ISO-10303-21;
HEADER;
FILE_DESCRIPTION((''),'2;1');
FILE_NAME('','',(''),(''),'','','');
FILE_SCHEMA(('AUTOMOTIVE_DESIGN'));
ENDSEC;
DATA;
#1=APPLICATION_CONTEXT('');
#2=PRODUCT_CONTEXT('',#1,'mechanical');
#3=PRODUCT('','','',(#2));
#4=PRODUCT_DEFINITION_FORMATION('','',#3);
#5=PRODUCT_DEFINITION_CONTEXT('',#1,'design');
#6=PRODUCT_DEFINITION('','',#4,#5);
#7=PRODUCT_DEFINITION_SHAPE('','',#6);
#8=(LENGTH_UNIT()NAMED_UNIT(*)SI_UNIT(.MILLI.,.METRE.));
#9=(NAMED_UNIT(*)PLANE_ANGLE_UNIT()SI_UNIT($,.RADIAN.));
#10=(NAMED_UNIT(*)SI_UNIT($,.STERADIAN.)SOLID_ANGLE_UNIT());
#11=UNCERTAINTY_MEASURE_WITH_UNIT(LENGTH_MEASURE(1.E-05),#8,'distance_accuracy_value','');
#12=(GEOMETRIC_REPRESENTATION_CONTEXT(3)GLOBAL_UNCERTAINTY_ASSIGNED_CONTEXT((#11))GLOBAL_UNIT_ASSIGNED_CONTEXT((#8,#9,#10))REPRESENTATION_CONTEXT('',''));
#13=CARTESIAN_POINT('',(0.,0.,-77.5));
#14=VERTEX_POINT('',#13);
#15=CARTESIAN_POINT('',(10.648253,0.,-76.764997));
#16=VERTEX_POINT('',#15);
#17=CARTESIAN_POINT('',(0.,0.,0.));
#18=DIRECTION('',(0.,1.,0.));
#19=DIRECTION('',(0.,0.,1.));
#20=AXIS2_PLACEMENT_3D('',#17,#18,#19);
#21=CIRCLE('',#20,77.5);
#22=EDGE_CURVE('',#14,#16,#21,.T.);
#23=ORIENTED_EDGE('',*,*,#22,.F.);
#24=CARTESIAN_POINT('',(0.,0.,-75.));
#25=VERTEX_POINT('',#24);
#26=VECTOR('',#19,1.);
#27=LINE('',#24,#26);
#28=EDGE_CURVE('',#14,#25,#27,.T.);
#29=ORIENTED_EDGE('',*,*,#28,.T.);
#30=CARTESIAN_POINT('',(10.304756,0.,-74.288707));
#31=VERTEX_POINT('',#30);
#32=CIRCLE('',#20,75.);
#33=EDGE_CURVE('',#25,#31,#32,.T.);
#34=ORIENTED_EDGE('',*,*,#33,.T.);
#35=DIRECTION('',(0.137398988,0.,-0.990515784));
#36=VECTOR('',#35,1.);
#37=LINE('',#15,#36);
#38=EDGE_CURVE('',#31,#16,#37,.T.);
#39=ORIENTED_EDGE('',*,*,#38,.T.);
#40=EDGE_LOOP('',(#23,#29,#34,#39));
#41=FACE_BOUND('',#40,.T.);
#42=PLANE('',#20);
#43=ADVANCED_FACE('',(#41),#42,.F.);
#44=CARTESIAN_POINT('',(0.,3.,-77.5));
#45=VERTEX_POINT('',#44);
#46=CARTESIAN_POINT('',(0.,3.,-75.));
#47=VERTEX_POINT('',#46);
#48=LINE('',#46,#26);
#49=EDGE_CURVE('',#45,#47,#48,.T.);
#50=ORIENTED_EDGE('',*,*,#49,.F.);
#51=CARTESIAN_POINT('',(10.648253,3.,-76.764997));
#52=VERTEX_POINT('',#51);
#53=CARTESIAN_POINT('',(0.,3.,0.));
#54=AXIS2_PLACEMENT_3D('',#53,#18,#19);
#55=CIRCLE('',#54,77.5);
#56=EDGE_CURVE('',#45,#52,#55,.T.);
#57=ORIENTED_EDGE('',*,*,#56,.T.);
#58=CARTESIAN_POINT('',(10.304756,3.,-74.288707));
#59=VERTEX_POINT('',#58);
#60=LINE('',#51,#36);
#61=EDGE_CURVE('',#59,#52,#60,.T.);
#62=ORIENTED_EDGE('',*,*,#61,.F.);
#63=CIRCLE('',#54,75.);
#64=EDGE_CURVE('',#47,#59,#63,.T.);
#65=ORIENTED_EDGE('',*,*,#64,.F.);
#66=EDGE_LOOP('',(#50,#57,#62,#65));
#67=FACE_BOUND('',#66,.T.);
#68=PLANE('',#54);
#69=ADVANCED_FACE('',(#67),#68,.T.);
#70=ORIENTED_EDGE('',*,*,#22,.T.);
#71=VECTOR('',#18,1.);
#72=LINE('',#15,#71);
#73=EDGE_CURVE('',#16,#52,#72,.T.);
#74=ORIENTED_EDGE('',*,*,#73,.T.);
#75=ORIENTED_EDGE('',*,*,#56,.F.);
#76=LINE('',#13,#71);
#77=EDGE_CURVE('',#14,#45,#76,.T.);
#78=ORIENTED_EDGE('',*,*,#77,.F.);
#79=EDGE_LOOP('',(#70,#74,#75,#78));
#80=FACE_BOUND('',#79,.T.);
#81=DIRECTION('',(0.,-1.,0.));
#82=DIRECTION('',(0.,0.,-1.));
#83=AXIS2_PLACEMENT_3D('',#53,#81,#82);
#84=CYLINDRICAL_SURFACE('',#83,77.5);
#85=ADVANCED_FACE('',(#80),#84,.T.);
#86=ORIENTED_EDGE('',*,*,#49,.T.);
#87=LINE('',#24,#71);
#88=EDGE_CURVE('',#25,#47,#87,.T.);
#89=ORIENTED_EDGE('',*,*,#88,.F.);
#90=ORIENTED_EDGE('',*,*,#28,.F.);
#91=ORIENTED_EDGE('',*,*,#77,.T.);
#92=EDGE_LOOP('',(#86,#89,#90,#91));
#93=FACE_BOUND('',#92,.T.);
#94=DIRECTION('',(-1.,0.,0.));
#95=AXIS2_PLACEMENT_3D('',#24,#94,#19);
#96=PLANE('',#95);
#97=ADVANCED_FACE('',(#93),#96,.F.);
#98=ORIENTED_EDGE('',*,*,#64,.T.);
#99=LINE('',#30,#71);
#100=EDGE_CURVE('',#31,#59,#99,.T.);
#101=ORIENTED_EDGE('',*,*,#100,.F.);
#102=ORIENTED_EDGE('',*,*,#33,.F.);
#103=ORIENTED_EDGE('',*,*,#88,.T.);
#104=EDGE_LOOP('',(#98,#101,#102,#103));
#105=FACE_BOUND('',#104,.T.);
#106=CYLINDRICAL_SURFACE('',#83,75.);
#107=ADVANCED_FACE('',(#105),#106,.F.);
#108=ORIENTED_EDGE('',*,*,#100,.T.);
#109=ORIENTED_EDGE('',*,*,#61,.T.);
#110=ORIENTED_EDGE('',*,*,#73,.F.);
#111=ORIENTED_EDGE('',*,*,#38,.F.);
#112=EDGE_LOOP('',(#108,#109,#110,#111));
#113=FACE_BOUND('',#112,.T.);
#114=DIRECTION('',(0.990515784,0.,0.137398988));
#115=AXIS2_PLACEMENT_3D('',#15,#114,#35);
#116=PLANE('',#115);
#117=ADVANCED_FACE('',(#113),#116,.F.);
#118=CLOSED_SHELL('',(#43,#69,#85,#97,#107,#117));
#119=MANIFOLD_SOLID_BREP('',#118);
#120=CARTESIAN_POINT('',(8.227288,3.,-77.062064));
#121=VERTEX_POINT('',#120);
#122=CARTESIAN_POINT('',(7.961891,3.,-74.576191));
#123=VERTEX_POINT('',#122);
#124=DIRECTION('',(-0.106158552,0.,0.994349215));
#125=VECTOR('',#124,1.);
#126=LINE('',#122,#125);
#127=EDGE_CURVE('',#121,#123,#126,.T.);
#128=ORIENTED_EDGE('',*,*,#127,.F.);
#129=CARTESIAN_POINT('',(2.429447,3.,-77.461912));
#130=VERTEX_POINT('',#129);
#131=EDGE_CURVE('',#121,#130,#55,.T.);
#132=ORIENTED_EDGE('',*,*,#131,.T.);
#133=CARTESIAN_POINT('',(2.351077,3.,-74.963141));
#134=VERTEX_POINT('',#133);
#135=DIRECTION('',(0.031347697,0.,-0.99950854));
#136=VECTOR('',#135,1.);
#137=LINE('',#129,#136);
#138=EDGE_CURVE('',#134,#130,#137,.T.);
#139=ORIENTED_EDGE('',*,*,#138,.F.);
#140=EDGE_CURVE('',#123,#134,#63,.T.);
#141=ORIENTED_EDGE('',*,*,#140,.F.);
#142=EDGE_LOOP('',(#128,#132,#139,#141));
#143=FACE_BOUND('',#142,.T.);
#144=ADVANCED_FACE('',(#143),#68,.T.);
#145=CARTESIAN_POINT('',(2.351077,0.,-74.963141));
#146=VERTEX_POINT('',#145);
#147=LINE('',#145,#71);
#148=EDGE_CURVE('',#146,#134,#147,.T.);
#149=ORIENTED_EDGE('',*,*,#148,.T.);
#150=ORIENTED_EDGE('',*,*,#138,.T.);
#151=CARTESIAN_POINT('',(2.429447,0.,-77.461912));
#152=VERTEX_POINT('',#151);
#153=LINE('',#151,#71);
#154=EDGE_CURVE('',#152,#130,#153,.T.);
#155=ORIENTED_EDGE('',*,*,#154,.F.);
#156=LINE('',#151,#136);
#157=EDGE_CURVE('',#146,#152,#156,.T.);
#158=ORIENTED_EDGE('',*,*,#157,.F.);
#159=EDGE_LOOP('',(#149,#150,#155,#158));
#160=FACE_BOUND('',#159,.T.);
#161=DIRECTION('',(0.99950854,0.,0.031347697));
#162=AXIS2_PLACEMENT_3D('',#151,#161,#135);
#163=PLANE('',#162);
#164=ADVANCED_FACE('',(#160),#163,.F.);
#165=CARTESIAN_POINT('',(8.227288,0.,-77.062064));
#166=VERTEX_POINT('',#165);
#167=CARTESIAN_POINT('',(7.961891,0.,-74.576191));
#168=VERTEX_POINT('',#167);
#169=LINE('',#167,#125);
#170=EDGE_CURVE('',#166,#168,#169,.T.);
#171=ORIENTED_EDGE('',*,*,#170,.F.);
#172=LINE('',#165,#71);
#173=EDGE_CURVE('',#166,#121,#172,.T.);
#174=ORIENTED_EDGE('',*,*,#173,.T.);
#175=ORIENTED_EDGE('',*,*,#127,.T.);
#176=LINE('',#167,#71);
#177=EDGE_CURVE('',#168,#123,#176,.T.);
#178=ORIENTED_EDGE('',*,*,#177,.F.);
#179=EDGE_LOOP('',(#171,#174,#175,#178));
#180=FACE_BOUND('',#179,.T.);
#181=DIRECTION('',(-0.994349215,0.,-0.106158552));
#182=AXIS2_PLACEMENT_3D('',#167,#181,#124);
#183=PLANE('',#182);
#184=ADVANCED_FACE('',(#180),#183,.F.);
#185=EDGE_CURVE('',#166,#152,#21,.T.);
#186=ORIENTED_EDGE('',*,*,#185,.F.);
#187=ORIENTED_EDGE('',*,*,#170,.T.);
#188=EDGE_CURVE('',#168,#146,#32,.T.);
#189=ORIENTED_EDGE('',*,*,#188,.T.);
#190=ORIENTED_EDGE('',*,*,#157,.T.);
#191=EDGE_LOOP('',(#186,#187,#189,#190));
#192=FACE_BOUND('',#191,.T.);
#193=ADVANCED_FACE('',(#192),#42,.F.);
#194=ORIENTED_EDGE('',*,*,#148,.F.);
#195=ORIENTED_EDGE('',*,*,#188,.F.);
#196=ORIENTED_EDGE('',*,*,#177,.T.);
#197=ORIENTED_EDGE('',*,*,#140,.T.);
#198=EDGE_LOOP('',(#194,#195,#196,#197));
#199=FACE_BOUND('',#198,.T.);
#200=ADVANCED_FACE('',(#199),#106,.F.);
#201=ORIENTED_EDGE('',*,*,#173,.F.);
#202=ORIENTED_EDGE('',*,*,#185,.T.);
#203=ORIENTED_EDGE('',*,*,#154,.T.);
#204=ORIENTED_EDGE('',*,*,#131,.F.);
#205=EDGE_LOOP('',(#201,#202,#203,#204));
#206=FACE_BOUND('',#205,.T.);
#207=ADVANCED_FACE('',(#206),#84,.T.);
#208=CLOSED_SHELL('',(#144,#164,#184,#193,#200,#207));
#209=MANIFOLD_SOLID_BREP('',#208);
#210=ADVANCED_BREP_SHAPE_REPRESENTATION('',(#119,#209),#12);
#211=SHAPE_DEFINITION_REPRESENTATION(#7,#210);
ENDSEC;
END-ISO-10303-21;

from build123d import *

# Parameters (mm, degrees)
SKETCH1_R               = 77.5
SKETCH1_R_2             = 75
BOSS_EXTRUDE1_DEPTH     = 3
CUT_EXTRUDE1_DEPTH      = 1
CUT_EXTRUDE1_DEPTH_BACK = 4


with BuildPart() as part:
    # Sketch1 → Boss-Extrude1 (new body)
    with BuildSketch(Plane(origin=(0, 0, 0), x_dir=(1, 0, 0), z_dir=(0, 1, 0))):
        Circle(SKETCH1_R)
        Circle(SKETCH1_R_2, mode=Mode.SUBTRACT)
    extrude(amount=BOSS_EXTRUDE1_DEPTH)

    # Sketch2 → Cut-Extrude1 (cut, two sides)
    with BuildSketch(Plane(origin=(0, 3, 0), x_dir=(1, 0, 0), z_dir=(0, 1, 0))) as cut_extrude1_sk:
        with BuildLine():
            Line((0, 75), (0, 77.5))
            ThreePointArc((0, 77.5), (1.214872553, 77.490477381), (2.429446556, 77.461911863))
            Line((2.429446556, 77.461911863), (2.351077312, 74.963140512))
            ThreePointArc((2.351077312, 74.963140512), (1.175683115, 74.990784562), (0, 75))
        make_face()
        with BuildLine():
            Line((7.961891365, 74.576191146), (8.227287744, 77.062064185))
            ThreePointArc((8.227287744, 77.062064185), (9.438939304, 76.923056572), (10.648253025, 76.764996629))
            Line((10.648253025, 76.764996629), (10.304755556, 74.28870717))
            ThreePointArc((10.304755556, 74.28870717), (9.134454673, 74.441668027), (7.961891365, 74.576191146))
        make_face()
    extrude(amount=CUT_EXTRUDE1_DEPTH, mode=Mode.SUBTRACT)
    extrude(cut_extrude1_sk.sketch, amount=-CUT_EXTRUDE1_DEPTH_BACK, mode=Mode.SUBTRACT)


solid = part.part
